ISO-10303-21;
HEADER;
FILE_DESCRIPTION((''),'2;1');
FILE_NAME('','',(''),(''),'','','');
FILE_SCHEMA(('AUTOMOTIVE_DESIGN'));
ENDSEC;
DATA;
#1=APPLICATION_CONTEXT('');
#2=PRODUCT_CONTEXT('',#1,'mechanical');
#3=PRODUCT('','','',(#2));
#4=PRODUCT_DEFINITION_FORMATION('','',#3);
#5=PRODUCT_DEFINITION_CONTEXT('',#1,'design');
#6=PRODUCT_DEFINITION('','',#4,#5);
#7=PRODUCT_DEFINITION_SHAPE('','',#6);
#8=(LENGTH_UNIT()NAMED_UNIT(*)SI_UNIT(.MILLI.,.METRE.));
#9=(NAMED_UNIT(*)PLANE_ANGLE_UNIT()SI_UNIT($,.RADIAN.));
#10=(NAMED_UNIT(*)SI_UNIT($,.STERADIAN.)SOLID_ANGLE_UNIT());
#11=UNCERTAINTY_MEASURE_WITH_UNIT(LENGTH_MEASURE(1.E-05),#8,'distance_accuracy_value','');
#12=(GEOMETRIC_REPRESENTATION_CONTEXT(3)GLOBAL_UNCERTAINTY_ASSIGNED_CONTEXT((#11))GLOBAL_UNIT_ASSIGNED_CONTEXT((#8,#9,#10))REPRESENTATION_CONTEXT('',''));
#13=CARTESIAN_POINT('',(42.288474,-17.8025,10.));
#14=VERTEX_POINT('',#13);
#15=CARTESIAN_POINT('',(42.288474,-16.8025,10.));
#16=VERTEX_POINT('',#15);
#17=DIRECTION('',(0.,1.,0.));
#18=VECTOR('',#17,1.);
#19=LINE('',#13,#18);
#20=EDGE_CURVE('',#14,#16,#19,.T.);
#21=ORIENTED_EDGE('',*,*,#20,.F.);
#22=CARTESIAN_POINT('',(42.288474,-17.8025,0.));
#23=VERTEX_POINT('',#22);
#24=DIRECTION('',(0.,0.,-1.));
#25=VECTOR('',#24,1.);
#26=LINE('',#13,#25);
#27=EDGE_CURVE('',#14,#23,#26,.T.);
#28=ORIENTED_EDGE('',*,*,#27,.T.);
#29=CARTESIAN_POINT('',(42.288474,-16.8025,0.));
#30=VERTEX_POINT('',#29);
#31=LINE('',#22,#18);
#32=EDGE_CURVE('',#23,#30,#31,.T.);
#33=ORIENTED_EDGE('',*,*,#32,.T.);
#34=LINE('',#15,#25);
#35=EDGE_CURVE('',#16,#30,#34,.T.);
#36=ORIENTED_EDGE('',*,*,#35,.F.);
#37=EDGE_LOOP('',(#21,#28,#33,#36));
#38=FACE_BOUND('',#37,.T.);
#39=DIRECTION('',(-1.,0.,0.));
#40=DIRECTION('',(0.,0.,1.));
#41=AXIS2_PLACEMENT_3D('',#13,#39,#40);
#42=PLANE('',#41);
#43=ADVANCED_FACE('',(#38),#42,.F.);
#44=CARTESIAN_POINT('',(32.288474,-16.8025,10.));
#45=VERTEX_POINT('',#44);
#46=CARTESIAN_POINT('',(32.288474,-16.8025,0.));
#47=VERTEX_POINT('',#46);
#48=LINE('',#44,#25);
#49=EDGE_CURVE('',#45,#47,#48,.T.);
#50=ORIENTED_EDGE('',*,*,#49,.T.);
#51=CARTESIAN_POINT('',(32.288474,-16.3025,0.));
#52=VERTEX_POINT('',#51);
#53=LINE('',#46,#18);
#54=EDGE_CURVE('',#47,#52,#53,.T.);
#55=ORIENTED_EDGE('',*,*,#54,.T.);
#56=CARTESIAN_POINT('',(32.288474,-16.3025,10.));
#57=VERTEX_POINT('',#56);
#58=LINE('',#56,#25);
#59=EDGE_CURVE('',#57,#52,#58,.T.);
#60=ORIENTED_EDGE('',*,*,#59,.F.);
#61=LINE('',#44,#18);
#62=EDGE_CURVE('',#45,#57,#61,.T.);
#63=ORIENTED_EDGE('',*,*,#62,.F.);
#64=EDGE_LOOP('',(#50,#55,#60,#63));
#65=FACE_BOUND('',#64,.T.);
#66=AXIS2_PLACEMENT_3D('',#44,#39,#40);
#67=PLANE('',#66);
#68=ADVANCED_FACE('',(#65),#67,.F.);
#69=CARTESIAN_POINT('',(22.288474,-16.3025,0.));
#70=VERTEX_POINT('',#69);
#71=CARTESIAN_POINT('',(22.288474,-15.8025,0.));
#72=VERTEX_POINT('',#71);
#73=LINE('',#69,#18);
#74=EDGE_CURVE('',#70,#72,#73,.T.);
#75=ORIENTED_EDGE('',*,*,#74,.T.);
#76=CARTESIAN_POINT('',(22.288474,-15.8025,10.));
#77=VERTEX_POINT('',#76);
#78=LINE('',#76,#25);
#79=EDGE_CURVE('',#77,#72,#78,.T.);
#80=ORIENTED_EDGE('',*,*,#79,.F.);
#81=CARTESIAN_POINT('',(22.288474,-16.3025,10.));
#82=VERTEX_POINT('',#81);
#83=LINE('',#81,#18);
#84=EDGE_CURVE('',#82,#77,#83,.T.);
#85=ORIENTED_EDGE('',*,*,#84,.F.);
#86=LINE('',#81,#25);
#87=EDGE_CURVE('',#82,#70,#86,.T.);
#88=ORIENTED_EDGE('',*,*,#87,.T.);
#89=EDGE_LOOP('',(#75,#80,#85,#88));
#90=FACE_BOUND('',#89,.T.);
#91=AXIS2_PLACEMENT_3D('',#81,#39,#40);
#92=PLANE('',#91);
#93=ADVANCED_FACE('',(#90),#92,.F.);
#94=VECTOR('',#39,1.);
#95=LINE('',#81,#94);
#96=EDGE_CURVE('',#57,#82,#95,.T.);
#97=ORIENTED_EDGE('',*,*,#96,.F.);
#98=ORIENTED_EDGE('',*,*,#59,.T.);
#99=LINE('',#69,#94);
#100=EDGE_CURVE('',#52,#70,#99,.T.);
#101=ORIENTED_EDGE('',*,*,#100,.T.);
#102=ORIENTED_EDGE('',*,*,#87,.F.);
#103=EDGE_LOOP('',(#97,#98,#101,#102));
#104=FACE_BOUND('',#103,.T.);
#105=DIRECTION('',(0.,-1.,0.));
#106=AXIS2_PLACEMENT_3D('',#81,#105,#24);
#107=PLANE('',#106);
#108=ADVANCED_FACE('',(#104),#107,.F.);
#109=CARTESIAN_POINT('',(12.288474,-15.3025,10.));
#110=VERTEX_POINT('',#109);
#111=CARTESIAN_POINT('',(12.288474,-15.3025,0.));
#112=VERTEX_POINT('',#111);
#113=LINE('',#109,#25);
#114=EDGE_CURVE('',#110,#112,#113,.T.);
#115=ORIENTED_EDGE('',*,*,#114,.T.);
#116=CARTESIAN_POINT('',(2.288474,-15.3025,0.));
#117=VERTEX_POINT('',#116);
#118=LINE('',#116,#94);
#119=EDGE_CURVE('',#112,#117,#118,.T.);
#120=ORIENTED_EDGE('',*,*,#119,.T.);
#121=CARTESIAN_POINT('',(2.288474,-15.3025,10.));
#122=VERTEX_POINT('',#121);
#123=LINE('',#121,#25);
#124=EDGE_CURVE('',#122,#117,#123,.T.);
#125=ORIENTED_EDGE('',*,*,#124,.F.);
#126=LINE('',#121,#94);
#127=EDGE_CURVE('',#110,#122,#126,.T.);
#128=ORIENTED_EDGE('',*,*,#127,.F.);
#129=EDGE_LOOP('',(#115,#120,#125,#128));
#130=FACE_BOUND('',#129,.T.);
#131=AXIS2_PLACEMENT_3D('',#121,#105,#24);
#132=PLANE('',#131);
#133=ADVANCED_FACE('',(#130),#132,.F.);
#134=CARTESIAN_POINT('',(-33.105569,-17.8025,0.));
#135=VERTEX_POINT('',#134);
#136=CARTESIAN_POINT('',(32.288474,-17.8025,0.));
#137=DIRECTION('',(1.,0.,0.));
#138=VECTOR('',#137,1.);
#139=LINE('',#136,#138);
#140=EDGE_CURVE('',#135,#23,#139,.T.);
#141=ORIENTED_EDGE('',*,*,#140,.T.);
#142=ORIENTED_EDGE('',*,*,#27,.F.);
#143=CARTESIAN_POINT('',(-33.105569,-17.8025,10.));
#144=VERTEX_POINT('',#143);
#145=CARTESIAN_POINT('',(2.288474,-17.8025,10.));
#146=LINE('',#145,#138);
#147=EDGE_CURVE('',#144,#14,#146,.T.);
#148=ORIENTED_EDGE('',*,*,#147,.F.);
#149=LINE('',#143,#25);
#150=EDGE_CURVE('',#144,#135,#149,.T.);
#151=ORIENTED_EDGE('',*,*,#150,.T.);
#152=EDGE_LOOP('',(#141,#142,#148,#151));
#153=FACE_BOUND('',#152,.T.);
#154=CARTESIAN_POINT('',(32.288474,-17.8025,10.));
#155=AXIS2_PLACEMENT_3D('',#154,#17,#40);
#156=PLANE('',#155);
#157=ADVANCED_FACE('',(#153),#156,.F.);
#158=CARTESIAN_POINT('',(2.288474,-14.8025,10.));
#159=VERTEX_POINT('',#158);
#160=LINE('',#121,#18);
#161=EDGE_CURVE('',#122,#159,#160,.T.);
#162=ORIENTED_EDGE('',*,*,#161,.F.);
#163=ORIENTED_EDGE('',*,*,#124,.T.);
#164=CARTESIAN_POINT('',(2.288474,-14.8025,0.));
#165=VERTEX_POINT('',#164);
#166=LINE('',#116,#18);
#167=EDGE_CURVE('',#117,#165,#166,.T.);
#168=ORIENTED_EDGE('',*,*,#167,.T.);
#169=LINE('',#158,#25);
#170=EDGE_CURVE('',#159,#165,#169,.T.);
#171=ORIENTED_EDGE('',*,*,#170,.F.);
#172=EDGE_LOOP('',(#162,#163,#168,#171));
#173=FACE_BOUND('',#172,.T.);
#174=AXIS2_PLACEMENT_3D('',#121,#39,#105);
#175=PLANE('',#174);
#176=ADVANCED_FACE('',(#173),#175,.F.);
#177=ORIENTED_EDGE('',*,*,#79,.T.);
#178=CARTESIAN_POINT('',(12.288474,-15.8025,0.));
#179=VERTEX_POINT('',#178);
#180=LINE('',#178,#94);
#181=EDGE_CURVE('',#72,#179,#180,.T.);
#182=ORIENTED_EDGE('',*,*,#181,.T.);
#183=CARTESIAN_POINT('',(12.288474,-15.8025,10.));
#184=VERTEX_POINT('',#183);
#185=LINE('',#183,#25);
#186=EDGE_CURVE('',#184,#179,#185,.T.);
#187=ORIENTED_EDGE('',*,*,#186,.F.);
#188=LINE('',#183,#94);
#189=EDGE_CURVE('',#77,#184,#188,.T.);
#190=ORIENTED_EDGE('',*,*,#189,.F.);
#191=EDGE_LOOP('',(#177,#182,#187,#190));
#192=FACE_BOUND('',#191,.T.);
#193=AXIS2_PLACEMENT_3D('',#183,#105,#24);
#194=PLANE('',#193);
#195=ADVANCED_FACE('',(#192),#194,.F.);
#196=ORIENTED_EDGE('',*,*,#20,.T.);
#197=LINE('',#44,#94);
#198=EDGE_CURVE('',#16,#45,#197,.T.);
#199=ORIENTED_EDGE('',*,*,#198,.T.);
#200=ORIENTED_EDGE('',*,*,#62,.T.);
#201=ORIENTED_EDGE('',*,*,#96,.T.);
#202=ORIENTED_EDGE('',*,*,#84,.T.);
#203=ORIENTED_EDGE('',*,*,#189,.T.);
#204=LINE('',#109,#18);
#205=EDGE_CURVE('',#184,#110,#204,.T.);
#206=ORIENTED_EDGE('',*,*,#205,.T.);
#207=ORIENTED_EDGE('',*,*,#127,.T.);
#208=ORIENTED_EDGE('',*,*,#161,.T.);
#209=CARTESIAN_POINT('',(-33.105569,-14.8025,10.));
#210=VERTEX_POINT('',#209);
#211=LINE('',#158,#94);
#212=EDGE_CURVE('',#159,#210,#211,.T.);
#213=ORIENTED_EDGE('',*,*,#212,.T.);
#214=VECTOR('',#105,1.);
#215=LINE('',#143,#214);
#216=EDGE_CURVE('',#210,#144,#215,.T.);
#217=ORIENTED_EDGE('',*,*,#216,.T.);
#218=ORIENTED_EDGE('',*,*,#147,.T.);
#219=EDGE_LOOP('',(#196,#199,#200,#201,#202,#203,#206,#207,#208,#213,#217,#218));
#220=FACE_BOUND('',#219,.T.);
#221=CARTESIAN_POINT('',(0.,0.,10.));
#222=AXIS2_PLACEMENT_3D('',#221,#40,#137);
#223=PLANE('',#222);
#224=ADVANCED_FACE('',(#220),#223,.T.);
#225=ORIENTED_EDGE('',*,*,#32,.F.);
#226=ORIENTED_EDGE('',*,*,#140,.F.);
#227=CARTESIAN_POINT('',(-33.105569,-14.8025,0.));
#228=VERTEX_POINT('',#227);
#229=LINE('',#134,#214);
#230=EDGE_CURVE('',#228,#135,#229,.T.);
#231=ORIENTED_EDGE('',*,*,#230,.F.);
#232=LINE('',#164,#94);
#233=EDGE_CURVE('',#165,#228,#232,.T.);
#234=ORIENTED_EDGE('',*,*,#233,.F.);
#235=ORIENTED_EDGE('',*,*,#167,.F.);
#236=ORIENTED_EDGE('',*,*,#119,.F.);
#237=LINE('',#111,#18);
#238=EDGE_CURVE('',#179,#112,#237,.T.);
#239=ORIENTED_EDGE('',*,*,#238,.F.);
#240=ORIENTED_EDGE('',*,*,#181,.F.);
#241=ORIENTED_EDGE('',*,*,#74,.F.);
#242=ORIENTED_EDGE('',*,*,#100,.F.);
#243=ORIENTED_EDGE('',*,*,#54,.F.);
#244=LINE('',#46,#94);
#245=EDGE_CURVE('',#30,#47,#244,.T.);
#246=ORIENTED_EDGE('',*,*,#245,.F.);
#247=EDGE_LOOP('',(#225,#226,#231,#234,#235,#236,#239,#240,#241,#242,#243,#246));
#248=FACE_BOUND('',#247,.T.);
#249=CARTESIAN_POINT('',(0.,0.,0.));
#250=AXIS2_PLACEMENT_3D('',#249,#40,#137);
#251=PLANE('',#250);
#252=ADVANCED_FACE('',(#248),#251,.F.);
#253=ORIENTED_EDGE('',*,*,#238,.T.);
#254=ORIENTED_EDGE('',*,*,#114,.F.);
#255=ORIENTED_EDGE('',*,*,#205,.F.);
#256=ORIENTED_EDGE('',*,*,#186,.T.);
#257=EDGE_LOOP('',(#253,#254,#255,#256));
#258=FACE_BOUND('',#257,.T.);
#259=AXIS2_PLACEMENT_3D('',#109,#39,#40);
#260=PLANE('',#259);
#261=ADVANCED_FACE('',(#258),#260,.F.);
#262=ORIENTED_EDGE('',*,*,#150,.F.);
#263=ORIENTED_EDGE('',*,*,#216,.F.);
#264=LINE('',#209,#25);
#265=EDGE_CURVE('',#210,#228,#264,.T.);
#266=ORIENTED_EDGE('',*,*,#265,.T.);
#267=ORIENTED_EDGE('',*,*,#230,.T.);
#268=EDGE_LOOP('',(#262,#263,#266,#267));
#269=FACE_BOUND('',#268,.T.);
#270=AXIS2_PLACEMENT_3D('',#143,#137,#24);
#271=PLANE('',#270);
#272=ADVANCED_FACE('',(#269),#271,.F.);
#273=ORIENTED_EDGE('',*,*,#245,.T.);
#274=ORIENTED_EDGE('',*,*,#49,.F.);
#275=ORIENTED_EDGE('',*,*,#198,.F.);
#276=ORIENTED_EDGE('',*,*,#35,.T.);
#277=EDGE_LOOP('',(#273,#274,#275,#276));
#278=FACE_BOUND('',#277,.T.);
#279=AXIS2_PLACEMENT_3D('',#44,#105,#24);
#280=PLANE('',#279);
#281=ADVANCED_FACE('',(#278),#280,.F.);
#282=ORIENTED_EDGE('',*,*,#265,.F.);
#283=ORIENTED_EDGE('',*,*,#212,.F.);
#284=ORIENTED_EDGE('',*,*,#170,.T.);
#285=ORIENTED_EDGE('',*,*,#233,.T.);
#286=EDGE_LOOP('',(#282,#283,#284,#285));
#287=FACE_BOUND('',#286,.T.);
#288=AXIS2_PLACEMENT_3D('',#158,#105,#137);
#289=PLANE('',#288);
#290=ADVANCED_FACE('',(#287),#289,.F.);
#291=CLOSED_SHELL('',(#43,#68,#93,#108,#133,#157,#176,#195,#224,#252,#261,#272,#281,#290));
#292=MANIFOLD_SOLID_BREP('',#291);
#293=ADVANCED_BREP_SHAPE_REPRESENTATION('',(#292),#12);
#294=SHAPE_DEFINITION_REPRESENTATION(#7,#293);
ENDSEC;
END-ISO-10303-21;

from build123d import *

# Parameters (mm, degrees)
BOSS_EXTRU_1_DEPTH = 10


with BuildPart() as part:
    # Esquisse1 → Boss.-Extru.1 (new body)
    with BuildSketch(Plane.XY):
        Polygon((2.288473993, -15.302499804), (12.288473993, -15.302499804), (12.288473993, -15.802499804), (22.288473993, -15.802499804), (22.288473993, -16.302499804), (32.288473993, -16.302499804), (32.288473993, -16.802499804), (42.288473993, -16.802499804), (42.288473993, -17.802499804), (32.288473993, -17.802499804), (22.288473993, -17.802499804), (12.288473993, -17.802499804), (2.288473993, -17.802499804), (-33.105569054, -17.802499804), (-33.105569054, -14.802499804), (2.288473993, -14.802499804), align=None)
    extrude(amount=BOSS_EXTRU_1_DEPTH)


solid = part.part
